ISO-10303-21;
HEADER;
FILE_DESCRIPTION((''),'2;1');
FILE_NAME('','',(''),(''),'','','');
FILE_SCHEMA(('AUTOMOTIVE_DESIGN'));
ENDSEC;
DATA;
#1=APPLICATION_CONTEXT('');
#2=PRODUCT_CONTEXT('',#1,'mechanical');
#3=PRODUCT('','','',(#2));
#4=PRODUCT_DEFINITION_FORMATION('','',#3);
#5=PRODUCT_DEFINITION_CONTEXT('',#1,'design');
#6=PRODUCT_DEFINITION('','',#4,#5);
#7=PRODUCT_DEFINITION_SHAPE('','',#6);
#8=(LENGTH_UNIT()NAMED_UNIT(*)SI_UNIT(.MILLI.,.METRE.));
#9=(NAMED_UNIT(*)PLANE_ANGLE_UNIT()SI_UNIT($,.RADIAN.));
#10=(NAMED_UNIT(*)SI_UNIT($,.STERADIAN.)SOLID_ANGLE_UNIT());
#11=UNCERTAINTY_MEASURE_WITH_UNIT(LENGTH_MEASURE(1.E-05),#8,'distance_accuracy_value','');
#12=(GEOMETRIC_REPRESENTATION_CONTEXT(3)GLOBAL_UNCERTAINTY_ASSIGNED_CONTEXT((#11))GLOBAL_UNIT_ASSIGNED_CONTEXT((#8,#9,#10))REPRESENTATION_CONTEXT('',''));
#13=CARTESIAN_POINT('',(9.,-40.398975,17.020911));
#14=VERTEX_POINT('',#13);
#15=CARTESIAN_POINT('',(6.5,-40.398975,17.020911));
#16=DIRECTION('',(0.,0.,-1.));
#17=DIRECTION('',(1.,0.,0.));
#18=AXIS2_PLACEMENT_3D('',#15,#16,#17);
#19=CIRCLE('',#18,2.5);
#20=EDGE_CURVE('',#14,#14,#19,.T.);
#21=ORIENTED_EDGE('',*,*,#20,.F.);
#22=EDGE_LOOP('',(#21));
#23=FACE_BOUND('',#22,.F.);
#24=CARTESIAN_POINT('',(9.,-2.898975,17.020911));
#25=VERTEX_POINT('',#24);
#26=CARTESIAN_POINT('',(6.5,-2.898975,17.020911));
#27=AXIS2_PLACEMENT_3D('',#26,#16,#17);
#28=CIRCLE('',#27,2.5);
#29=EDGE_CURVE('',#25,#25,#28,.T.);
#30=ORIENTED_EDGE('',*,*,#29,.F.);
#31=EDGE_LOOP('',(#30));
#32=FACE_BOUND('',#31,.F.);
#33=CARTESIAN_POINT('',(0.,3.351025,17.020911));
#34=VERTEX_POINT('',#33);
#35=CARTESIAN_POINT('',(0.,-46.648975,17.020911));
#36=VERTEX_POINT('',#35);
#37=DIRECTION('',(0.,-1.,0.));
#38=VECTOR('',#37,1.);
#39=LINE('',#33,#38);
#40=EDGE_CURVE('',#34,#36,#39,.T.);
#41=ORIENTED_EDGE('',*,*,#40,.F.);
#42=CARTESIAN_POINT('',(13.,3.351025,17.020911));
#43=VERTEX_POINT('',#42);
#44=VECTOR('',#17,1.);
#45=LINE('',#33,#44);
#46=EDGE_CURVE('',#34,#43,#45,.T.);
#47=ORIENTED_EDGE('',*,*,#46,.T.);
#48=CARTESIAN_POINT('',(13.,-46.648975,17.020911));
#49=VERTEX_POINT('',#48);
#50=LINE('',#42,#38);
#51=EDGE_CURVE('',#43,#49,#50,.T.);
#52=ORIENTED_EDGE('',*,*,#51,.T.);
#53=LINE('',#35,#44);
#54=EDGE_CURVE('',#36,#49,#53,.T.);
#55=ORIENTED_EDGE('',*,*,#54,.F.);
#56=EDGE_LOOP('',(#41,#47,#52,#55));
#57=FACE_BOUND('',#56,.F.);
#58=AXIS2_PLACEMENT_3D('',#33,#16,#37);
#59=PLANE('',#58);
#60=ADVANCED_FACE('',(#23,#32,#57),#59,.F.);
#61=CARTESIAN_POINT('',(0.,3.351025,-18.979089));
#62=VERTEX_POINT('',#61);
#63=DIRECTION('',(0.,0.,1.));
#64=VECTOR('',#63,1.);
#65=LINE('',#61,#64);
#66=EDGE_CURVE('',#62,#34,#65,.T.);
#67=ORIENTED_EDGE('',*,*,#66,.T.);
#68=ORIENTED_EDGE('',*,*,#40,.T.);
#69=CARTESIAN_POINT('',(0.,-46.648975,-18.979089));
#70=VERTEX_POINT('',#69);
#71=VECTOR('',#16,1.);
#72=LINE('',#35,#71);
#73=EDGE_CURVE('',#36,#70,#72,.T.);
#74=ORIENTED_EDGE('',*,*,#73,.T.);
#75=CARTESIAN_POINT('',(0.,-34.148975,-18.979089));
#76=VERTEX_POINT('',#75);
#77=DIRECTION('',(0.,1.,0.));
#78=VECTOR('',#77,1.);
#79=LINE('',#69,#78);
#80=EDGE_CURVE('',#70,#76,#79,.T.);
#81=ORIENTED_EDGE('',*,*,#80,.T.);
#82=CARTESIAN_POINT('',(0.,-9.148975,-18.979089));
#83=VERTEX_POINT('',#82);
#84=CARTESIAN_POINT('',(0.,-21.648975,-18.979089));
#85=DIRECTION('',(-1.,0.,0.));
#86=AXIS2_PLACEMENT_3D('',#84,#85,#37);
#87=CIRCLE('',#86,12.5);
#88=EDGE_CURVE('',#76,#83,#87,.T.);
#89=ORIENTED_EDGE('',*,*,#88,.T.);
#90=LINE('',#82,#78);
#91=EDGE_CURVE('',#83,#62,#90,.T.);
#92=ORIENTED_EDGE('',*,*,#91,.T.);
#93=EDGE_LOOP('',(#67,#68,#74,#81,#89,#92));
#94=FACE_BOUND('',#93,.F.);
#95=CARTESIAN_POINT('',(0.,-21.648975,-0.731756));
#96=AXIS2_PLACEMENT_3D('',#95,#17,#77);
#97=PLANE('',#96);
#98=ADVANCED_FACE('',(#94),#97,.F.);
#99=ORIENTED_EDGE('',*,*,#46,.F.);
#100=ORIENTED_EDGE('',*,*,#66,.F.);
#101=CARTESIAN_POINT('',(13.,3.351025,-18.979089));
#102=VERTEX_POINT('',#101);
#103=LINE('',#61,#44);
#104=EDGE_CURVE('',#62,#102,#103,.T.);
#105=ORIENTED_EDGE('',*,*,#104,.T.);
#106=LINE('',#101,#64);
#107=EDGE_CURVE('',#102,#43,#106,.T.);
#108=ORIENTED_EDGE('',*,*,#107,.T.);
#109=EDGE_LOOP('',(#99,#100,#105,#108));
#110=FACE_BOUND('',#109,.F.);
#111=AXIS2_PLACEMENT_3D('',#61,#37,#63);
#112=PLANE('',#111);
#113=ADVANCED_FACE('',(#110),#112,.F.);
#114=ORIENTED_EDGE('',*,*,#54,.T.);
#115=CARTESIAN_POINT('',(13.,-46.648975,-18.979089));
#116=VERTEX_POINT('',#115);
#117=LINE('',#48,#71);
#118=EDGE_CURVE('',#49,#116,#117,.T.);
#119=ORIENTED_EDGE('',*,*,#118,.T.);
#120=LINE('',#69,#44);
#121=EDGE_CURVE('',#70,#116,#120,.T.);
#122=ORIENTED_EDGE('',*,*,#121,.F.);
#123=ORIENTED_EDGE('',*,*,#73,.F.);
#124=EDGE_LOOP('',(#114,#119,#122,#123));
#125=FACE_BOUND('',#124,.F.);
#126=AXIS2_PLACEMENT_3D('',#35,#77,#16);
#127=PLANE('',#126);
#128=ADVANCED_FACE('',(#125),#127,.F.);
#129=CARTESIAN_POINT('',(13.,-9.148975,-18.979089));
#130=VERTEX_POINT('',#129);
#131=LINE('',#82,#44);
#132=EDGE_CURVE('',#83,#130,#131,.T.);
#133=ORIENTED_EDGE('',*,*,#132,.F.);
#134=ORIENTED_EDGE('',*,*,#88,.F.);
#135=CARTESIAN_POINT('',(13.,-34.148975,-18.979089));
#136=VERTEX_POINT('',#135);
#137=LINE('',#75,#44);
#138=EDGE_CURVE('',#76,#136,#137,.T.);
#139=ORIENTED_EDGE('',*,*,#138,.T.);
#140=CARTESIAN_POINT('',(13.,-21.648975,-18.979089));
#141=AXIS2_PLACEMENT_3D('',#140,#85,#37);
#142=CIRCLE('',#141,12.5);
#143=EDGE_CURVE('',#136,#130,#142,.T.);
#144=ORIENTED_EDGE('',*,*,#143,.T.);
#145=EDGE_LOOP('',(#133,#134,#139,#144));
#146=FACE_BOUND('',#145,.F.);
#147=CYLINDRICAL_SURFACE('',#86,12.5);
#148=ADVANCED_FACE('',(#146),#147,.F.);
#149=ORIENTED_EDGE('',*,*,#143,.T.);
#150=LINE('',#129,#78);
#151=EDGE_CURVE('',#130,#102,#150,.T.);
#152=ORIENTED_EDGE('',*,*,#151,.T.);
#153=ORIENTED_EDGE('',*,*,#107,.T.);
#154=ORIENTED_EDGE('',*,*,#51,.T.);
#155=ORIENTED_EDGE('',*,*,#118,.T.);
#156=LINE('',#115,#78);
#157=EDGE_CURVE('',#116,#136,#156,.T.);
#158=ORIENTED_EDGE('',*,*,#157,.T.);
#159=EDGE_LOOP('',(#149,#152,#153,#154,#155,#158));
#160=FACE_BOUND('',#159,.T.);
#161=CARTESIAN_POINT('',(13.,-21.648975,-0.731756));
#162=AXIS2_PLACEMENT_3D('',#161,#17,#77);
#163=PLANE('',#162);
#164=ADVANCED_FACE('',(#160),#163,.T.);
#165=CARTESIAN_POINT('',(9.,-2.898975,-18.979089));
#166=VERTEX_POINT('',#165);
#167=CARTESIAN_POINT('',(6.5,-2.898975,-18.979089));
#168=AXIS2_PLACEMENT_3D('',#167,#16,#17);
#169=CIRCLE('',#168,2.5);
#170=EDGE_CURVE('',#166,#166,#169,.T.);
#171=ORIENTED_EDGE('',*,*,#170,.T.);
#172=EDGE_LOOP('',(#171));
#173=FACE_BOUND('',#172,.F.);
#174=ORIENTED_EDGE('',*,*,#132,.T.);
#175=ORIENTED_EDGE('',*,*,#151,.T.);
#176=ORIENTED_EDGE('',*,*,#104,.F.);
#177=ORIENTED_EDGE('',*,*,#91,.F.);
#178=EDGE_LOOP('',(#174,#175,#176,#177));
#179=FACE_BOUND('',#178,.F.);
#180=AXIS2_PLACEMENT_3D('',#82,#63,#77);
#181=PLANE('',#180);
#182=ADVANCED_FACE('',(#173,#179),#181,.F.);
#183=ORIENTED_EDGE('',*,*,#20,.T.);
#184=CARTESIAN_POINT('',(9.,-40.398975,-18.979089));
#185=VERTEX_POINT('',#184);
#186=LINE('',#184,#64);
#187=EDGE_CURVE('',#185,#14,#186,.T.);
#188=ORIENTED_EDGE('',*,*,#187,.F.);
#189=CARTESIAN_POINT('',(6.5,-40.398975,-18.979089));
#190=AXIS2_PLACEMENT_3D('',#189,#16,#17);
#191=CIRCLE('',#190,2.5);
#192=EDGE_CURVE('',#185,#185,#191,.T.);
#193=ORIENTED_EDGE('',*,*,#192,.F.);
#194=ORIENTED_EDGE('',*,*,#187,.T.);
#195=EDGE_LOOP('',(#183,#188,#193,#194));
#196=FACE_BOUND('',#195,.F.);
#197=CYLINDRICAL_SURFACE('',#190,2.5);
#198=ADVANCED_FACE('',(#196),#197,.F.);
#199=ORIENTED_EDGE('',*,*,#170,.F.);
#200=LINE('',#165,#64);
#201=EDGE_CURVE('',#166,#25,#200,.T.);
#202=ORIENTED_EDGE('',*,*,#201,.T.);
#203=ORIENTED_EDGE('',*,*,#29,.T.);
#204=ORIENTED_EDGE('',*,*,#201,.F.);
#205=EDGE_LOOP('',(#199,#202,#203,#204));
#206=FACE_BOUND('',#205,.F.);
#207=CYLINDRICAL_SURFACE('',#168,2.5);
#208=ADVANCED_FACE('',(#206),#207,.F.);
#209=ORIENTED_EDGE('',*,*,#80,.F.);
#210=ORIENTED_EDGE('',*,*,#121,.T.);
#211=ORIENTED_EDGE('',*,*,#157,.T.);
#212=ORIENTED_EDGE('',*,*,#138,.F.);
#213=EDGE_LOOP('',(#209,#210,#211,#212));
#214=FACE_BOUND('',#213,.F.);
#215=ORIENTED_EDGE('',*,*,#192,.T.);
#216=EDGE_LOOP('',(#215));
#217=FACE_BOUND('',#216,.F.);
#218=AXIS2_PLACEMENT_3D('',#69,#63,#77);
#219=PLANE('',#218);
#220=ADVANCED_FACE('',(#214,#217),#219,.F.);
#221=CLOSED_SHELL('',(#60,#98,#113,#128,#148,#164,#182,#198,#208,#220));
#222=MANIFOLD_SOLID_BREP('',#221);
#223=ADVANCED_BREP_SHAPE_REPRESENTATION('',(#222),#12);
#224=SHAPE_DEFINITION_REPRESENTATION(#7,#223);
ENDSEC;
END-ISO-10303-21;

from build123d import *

# Parameters (mm, degrees)
F1_DEPTH = 13
F2_R     = 2.5
F4_DEPTH = 36
F3_R     = 2.5
F5_DEPTH = 36


with BuildPart() as f1:
    # F0 (on Right) → F1 (new body)
    with BuildSketch(Plane.YZ):
        with BuildLine():
            Line((3.351025, 17.020911), (-46.648975, 17.020911))
            Line((-46.648975, 17.020911), (-46.648975, -18.979089))
            Line((-46.648975, -18.979089), (-34.148975, -18.979089))
            ThreePointArc((-34.148975, -18.979089), (-21.648975, -6.479089), (-9.148975, -18.979089))
            Line((-9.148975, -18.979089), (3.351025, -18.979089))
            Line((3.351025, -18.979089), (3.351025, 17.020911))
        make_face()
    extrude(amount=F1_DEPTH)

    # F2 (on face) → F4 (cut)
    with BuildSketch(Plane(origin=(0, 0, -18.979089), x_dir=(1, 0, 0), z_dir=(0, 0, -1))):
        with Locations((6.5, 40.398975)):
            Circle(F2_R)
    extrude(amount=-F4_DEPTH, mode=Mode.SUBTRACT)

    # F3 (on face) → F5 (cut)
    with BuildSketch(Plane(origin=(0, 0, -18.979089), x_dir=(1, 0, 0), z_dir=(0, 0, -1))):
        with Locations((6.5, 2.898975)):
            Circle(F3_R)
    extrude(amount=-F5_DEPTH, mode=Mode.SUBTRACT)


solid = f1.part
